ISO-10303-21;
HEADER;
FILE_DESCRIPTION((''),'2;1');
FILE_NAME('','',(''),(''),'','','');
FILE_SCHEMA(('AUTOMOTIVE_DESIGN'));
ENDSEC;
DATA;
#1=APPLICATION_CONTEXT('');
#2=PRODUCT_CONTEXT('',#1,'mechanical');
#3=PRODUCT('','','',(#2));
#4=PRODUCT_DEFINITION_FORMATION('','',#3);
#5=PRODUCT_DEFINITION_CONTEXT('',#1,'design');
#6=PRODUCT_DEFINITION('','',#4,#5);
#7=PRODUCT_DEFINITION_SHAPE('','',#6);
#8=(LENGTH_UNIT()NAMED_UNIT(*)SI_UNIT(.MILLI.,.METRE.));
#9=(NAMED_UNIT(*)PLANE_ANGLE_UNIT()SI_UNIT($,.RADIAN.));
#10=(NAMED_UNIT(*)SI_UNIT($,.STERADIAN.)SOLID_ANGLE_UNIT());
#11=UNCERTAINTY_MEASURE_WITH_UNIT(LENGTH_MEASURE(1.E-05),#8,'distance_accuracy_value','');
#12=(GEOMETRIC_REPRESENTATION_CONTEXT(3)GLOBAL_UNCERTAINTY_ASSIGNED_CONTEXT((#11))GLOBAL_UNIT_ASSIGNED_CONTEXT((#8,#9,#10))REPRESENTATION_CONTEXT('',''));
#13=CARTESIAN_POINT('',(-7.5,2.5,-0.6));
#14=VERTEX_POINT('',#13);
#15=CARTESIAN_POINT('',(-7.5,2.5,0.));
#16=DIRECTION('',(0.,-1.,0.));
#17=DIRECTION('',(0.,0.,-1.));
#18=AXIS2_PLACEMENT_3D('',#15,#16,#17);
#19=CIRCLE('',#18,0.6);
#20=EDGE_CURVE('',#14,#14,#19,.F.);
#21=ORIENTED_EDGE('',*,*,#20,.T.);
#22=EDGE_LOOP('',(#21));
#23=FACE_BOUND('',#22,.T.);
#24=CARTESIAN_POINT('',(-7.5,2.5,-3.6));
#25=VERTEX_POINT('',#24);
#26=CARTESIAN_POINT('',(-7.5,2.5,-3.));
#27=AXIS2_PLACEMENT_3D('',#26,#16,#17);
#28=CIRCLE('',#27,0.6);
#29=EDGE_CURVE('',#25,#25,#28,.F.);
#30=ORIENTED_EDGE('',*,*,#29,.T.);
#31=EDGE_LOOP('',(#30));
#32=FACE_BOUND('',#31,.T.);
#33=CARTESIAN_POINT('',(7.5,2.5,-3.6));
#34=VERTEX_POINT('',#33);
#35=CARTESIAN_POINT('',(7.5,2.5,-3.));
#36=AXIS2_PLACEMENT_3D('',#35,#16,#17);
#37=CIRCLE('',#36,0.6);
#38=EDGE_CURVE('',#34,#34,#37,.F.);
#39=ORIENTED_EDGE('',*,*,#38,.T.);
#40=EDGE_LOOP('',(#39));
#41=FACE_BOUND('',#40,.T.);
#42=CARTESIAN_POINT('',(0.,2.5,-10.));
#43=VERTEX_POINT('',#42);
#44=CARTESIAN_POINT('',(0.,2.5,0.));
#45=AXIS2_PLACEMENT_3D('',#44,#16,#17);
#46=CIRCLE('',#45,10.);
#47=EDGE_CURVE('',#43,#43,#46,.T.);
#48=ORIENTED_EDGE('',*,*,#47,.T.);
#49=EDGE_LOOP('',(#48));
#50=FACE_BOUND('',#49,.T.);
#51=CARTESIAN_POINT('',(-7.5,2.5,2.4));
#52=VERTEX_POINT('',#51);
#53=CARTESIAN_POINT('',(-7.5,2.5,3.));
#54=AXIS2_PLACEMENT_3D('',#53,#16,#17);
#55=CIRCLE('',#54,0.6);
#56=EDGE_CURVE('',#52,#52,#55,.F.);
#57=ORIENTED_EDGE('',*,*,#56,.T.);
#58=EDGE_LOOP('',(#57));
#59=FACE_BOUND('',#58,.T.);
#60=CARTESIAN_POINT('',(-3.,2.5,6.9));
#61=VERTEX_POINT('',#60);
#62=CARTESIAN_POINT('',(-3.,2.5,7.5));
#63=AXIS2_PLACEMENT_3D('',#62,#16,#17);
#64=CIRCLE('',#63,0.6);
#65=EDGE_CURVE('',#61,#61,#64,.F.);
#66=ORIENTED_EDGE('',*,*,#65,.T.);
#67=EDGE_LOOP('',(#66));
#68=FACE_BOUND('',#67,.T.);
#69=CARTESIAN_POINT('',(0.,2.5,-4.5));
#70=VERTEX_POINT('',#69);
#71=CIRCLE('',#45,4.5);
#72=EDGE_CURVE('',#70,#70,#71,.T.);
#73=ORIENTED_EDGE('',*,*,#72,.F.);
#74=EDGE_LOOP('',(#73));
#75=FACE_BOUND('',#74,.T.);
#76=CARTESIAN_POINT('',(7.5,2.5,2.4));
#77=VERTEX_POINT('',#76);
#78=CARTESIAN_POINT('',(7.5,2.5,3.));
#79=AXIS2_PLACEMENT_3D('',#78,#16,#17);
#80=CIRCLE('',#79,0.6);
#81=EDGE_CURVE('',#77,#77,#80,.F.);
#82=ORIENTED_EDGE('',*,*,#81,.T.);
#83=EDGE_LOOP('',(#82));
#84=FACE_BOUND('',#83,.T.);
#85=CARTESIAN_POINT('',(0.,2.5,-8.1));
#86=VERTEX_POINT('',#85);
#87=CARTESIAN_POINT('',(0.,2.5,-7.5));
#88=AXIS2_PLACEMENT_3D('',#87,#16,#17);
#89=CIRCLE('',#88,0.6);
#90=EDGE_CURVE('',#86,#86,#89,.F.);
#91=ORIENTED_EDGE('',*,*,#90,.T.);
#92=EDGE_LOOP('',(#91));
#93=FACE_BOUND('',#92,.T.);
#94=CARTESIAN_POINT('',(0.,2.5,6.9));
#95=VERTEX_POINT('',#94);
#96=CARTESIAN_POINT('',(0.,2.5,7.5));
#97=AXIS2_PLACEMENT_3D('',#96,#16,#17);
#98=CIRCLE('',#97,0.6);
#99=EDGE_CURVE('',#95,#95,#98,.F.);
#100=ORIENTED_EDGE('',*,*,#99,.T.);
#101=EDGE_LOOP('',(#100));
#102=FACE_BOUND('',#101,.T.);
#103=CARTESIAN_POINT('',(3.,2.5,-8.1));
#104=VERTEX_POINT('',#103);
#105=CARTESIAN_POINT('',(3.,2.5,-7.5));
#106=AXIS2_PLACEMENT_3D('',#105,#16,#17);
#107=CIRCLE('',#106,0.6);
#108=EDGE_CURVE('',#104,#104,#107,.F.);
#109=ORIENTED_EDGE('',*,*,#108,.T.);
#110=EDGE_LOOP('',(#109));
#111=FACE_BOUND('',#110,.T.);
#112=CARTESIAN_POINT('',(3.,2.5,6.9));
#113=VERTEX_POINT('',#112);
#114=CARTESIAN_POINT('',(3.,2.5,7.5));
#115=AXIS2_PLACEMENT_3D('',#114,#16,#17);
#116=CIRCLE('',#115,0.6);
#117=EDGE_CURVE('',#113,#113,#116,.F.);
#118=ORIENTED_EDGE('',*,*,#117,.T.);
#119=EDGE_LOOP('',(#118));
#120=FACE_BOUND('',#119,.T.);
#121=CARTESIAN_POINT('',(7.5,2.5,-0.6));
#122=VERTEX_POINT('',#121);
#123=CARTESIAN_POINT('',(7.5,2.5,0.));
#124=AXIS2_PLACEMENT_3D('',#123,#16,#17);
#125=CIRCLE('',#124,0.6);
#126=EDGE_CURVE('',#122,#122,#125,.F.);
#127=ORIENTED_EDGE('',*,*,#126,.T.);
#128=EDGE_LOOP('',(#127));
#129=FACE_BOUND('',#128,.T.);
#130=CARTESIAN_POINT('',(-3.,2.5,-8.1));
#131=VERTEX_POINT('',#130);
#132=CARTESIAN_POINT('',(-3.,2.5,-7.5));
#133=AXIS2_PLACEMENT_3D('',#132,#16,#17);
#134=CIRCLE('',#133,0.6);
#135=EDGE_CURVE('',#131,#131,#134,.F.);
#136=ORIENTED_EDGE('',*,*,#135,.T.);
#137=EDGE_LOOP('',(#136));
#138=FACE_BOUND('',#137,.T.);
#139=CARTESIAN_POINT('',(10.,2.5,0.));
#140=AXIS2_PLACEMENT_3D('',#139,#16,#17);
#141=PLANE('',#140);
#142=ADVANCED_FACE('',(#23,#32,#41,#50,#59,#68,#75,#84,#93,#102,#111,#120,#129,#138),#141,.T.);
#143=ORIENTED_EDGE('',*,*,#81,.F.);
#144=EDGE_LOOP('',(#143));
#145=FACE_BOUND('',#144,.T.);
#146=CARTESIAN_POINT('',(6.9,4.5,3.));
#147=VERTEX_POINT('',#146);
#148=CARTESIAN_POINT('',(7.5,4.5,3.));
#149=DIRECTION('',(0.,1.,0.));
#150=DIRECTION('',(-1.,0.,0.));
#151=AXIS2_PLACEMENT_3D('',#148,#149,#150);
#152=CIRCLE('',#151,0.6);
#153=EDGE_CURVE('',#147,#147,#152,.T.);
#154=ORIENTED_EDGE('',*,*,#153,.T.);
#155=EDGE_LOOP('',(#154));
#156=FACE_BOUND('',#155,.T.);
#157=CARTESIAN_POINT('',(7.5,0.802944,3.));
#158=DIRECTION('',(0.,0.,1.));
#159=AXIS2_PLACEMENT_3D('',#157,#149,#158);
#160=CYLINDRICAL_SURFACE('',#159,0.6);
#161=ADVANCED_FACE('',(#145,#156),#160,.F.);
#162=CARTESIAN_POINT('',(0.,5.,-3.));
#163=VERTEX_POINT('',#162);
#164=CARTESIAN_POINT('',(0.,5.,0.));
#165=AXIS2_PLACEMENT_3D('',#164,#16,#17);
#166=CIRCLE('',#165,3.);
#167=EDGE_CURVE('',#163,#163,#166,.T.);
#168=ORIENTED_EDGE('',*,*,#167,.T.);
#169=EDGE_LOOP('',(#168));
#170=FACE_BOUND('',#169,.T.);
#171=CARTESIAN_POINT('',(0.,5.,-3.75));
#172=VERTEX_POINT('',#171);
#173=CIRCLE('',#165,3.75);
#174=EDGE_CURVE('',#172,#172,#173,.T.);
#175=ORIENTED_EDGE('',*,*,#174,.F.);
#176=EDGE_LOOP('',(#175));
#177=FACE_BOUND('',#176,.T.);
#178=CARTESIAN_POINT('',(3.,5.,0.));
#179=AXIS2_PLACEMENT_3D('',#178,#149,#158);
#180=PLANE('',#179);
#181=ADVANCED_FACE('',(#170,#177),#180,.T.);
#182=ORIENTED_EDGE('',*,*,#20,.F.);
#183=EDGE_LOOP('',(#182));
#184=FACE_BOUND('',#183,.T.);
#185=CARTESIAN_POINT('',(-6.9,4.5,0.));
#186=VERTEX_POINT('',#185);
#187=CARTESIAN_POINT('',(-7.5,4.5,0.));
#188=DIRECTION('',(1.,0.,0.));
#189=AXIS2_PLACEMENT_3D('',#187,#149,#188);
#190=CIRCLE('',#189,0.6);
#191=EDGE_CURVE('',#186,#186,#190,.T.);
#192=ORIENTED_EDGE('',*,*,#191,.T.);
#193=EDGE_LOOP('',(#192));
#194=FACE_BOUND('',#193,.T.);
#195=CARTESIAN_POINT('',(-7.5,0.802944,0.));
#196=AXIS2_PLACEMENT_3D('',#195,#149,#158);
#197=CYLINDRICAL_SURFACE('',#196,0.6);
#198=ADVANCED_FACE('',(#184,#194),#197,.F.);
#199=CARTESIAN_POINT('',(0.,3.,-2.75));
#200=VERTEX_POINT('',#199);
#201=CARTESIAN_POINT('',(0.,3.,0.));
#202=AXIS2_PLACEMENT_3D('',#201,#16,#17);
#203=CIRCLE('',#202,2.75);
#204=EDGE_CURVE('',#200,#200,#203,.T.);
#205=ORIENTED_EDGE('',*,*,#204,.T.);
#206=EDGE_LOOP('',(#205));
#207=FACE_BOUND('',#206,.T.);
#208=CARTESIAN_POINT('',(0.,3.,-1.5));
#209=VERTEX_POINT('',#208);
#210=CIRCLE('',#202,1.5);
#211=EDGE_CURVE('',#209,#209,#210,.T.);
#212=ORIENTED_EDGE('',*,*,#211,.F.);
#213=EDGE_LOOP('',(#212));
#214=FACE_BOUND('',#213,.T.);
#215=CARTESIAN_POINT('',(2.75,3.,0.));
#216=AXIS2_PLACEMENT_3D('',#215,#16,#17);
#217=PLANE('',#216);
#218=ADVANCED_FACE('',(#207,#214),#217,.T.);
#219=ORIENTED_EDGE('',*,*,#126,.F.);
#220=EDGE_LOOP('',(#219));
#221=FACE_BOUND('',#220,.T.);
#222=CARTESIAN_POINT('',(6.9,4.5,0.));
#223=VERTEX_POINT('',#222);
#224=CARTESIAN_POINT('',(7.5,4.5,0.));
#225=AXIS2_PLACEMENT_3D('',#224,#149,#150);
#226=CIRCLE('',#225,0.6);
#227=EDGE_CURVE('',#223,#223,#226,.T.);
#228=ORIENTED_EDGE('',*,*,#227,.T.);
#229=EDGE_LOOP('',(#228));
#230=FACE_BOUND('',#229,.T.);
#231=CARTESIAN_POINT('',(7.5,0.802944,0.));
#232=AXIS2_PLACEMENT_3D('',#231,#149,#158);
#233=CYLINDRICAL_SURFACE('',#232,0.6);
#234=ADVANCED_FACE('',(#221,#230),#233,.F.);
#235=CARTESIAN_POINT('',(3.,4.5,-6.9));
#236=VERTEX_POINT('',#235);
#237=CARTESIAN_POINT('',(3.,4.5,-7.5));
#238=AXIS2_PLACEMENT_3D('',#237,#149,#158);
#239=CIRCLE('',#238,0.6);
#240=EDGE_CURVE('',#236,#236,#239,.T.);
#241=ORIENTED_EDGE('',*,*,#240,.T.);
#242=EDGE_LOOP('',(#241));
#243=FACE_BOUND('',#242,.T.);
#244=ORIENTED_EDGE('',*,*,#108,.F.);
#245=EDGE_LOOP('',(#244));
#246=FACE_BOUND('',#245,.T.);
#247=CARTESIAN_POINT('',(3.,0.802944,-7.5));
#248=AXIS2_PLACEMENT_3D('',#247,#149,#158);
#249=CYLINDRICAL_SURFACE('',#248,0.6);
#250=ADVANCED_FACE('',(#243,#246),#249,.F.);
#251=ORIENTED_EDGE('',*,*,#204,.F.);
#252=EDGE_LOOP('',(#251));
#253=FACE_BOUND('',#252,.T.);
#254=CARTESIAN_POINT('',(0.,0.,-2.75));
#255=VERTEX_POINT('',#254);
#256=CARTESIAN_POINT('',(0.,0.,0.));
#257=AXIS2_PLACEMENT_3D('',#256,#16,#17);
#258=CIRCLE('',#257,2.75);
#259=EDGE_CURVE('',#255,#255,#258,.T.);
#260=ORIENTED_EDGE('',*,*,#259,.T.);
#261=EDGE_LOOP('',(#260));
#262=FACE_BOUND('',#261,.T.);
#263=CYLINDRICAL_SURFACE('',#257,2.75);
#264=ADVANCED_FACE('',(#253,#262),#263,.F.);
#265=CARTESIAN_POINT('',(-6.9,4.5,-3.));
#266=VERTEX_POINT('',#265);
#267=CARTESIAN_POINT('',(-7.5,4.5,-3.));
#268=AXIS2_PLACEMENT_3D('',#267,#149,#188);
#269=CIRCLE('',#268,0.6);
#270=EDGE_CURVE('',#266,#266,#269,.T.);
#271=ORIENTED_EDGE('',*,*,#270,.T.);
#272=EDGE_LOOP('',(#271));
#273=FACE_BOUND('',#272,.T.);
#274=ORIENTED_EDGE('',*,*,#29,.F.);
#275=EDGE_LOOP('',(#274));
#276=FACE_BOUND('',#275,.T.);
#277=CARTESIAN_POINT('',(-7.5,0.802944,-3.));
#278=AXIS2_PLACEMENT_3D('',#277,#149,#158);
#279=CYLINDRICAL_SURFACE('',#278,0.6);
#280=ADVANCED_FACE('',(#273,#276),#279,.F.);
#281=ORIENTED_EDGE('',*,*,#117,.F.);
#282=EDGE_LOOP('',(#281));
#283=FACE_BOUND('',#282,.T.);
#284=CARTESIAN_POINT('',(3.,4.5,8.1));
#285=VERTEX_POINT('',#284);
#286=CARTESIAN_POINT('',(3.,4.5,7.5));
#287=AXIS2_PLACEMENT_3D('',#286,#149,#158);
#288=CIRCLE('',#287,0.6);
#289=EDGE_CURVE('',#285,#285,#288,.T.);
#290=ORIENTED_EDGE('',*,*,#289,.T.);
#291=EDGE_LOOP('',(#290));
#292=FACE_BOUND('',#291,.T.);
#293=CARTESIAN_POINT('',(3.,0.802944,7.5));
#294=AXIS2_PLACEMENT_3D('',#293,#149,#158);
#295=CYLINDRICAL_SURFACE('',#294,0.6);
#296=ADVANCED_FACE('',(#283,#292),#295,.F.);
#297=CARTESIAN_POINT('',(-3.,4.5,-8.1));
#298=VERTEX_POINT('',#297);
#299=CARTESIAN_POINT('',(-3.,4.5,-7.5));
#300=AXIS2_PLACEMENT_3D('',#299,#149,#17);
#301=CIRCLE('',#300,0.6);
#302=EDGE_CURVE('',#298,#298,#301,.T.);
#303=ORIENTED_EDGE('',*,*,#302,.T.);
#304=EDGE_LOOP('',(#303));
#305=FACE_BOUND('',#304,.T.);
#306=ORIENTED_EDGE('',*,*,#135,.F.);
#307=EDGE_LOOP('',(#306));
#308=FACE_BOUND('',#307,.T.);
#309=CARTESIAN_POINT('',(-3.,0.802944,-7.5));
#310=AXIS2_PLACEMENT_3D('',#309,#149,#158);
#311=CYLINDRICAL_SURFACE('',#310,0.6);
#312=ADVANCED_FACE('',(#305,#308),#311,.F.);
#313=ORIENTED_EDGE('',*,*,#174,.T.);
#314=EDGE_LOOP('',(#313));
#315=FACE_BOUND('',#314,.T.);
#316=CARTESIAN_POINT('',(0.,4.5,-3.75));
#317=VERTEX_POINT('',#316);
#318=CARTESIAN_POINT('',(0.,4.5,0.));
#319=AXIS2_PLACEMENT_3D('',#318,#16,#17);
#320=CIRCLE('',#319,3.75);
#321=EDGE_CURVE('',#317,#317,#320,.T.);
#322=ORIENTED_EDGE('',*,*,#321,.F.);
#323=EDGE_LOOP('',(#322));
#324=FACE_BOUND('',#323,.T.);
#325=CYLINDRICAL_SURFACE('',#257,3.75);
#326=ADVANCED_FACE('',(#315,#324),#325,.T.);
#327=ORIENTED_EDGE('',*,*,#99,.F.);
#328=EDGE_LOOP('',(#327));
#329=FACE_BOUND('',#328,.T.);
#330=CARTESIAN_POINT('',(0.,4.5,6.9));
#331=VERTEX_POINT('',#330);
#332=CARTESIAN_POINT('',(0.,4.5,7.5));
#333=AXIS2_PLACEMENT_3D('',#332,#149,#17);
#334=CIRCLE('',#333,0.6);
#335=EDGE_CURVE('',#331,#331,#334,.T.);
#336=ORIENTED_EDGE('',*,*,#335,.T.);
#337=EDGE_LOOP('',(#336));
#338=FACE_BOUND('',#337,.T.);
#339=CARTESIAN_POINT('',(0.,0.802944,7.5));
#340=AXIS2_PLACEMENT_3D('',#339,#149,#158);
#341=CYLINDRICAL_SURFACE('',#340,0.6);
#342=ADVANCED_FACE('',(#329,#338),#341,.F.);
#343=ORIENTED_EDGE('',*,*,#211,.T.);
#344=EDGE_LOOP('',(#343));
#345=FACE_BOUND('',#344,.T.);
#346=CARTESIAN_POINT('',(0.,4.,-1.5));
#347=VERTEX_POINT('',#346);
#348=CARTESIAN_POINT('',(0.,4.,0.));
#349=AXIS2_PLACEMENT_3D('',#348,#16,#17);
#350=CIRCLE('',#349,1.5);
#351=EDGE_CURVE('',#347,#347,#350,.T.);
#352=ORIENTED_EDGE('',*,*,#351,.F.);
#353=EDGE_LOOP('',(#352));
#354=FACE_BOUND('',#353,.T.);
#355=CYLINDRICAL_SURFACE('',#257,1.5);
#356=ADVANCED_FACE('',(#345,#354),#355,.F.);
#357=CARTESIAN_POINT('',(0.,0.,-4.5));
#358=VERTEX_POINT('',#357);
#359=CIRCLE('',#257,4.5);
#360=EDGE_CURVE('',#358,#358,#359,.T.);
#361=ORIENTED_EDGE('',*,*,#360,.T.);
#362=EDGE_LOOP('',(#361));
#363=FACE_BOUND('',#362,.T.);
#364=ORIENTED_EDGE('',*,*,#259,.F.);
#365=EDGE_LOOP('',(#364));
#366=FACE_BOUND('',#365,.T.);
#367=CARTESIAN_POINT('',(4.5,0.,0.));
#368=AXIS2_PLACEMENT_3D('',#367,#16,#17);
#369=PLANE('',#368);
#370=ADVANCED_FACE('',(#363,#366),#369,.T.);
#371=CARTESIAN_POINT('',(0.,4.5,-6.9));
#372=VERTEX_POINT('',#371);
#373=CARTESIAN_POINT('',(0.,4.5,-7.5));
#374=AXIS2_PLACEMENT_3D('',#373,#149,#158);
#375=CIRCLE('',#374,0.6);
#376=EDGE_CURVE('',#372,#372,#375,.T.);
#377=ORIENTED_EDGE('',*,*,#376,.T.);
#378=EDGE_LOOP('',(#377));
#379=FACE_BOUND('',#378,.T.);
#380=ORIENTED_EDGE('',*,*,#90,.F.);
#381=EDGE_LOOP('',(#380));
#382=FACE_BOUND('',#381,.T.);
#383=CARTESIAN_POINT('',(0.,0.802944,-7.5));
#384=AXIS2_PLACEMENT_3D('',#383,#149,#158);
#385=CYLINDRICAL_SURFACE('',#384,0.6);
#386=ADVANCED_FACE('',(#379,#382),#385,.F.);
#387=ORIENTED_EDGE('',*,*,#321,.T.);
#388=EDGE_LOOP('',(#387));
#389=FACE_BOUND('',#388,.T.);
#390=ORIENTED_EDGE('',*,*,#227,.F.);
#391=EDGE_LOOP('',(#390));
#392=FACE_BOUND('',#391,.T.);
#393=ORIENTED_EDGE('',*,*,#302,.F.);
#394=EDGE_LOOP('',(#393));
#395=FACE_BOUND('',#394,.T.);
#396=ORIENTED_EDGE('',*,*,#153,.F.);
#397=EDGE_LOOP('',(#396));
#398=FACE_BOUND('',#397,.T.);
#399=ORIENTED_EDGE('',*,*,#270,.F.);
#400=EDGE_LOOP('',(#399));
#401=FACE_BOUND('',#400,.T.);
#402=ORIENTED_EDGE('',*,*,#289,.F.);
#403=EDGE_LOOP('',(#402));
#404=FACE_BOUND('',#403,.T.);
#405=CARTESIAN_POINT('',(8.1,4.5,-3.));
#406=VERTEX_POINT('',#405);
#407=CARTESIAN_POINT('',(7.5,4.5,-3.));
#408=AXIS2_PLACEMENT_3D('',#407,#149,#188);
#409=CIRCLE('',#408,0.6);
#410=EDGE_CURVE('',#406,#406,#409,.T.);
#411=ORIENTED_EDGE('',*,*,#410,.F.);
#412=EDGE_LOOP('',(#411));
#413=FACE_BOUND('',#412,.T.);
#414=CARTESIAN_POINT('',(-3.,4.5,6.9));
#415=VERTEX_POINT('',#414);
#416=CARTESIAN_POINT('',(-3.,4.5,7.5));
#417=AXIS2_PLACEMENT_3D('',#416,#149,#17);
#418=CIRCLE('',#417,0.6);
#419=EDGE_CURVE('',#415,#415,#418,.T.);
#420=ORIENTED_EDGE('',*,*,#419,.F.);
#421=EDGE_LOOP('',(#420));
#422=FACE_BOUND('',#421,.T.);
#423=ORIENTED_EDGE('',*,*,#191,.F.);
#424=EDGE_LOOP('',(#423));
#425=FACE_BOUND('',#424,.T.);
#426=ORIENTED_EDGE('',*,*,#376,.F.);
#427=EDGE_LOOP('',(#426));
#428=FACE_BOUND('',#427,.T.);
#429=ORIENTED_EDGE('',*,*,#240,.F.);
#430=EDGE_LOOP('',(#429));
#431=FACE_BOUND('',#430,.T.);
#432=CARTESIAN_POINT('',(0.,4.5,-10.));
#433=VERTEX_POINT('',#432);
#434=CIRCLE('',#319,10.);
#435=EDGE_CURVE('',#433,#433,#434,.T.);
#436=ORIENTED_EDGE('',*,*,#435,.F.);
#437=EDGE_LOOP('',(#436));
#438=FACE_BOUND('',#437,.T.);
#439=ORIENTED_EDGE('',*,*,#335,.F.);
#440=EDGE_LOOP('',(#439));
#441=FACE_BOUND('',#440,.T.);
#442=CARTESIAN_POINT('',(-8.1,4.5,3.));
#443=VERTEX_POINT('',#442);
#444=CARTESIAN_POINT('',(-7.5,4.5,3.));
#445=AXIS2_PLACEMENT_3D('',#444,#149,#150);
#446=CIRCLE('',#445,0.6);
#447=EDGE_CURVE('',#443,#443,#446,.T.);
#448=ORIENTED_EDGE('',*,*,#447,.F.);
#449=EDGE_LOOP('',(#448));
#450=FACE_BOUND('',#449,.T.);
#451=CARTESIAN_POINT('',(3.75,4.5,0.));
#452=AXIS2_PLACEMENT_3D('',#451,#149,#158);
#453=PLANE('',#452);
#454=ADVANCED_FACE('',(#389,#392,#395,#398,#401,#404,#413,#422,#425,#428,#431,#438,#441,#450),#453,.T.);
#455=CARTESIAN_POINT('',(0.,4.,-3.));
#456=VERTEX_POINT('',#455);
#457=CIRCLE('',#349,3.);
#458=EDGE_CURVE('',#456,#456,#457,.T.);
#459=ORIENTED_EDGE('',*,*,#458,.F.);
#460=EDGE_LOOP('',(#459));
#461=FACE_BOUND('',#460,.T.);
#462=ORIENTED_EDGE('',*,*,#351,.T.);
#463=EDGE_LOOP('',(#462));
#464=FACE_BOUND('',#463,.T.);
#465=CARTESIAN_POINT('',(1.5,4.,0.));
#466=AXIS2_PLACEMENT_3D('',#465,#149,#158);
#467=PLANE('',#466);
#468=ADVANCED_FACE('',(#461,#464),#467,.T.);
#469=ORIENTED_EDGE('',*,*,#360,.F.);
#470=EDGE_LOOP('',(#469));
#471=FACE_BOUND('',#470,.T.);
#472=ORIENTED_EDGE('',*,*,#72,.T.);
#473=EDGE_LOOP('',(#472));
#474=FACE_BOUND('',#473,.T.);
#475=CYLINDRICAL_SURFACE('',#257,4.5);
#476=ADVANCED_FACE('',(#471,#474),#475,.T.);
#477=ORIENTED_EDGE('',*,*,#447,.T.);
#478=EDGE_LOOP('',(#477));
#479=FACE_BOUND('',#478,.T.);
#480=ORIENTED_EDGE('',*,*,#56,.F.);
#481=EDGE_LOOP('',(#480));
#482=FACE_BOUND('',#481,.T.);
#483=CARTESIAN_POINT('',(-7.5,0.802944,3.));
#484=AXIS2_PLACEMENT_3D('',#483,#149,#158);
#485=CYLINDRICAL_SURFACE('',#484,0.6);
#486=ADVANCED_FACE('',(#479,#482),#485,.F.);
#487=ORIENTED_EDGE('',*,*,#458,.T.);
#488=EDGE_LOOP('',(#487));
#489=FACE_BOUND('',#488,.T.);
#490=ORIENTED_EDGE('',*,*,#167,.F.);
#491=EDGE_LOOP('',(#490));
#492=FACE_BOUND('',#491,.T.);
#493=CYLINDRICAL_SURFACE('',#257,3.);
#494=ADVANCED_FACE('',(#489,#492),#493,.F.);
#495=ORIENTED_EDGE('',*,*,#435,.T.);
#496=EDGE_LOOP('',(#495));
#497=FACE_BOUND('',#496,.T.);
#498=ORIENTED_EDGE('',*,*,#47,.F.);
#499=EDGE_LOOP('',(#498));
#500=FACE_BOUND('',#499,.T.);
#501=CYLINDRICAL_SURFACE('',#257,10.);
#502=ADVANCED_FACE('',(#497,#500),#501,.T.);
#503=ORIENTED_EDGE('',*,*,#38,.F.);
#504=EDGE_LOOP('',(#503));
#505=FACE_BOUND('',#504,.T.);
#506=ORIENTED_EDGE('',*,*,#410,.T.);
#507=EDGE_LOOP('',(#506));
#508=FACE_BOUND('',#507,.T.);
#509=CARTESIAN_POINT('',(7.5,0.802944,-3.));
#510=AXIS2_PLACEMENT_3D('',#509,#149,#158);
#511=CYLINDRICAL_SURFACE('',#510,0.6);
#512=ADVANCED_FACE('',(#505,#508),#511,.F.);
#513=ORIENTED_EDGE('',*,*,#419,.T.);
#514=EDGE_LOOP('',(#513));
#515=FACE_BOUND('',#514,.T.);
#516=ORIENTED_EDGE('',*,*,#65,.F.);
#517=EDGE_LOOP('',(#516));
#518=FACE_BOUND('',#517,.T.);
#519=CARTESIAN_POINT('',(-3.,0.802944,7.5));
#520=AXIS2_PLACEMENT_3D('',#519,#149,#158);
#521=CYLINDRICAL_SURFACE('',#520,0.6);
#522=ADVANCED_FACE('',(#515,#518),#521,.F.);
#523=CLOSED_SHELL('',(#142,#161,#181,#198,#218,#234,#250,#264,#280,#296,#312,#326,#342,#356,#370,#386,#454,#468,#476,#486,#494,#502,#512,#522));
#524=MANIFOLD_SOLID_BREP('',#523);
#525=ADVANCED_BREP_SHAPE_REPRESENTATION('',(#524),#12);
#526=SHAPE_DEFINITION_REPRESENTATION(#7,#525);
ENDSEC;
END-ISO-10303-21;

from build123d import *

# Parameters (mm, degrees)
SKETCH1_R          = 0.6
CUT_EXTRUDE1_DEPTH = 2
CIRPATTERN1_COUNT  = 4


with BuildPart() as part:
    # Esquisse1 → Révolution1 (revolve)
    with BuildSketch(Plane.XY):
        Polygon((2.75, 0), (2.75, 3), (1.5, 3), (1.5, 4), (3, 4), (3, 5), (3.75, 5), (3.75, 4.5), (10, 4.5), (10, 2.5), (4.5, 2.5), (4.5, 0), align=None)
    revolve(axis=Axis((0, 0, 0), (0, 1, 0)))

    # Sketch1 → Cut-Extrude1 (cut)
    with BuildSketch(Plane(origin=(0, 4.5, 0), x_dir=(1, 0, 0), z_dir=(0, 1, 0))):
        with Locations((0, 7.5)):
            Circle(SKETCH1_R)
        with Locations((3, 7.5)):
            Circle(SKETCH1_R)
        with Locations((-3, 7.5)):
            Circle(SKETCH1_R)
    cut_extrude1 = extrude(amount=-CUT_EXTRUDE1_DEPTH, mode=Mode.SUBTRACT)

    # CirPattern1: Cut-Extrude1 ×4 about axis
    cirpattern1_axis = Axis((0, 0, 0), (0, 1, 0))
    for i in range(1, CIRPATTERN1_COUNT):
        add(cut_extrude1.rotate(cirpattern1_axis, i * 360 / CIRPATTERN1_COUNT), mode=Mode.SUBTRACT)


solid = part.part
